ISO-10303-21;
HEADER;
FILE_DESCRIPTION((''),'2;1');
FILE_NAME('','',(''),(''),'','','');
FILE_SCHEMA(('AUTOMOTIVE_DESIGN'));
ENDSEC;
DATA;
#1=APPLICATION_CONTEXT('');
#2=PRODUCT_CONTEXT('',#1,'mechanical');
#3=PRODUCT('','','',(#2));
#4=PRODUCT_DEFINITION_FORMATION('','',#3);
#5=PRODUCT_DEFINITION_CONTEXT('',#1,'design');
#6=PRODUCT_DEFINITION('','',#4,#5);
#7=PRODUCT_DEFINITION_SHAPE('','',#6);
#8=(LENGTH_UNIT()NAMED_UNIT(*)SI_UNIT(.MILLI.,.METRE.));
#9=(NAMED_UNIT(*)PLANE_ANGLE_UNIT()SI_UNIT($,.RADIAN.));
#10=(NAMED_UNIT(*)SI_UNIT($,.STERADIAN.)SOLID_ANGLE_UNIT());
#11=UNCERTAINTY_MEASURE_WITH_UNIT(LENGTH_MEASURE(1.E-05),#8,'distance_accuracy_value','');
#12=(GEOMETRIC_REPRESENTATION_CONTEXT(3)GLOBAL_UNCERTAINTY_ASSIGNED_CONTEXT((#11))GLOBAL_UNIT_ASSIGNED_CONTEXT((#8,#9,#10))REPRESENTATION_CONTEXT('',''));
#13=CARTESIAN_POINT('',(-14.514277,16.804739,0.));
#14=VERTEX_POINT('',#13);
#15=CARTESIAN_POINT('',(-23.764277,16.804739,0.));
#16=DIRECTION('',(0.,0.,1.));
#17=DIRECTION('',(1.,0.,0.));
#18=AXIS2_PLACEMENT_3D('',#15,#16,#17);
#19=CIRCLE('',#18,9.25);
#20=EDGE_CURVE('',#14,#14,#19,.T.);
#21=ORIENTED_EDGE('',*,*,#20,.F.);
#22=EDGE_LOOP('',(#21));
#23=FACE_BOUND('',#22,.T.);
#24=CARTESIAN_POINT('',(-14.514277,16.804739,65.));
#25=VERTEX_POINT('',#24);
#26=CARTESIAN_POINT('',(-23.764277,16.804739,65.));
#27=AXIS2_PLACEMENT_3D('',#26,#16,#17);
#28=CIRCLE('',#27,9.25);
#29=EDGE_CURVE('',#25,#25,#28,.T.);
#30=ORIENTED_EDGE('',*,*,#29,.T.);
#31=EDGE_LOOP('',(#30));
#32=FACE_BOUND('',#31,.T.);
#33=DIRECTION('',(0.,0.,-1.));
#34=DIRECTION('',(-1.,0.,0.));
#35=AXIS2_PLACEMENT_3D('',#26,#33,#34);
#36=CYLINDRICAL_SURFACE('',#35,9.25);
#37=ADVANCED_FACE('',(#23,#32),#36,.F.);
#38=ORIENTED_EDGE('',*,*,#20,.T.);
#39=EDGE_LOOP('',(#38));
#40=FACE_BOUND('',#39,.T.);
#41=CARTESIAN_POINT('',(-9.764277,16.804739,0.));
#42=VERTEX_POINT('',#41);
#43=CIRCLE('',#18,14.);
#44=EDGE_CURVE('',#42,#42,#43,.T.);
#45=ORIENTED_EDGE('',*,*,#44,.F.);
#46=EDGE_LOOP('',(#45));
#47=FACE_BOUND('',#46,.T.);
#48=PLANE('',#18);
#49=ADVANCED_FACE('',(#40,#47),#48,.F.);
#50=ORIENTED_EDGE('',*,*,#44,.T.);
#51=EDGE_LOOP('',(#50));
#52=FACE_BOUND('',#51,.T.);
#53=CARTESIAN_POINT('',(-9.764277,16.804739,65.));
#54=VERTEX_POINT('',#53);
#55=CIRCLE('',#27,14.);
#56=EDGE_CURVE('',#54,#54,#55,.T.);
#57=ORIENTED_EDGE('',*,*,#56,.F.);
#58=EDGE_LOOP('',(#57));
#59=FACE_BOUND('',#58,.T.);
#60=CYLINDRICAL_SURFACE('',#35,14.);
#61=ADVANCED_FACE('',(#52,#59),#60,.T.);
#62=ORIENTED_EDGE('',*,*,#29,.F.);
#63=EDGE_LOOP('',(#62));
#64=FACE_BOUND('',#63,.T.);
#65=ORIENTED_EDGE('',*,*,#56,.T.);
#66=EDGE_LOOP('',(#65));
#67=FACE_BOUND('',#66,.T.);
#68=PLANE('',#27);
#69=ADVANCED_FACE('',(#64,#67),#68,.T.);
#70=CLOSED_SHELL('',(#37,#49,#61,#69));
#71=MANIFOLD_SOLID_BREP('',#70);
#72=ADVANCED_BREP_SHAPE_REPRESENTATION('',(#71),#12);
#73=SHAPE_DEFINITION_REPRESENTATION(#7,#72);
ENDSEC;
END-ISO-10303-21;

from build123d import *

# Parameters (mm, degrees)
SKETCH1_R           = 14
BOSS_EXTRUDE3_DEPTH = 65
SKETCH2_R           = 9.25
CUT_EXTRUDE1_DEPTH  = 65


with BuildPart() as part:
    # Sketch1 → Boss-Extrude3 (new body)
    with BuildSketch(Plane.XY):
        with Locations((-23.764277035, 16.804738761)):
            Circle(SKETCH1_R)
    extrude(amount=BOSS_EXTRUDE3_DEPTH)

    # Sketch2 → Cut-Extrude1 (cut)
    with BuildSketch(Plane.XY):
        with Locations((-23.764277035, 16.804738761)):
            Circle(SKETCH2_R)
    extrude(amount=CUT_EXTRUDE1_DEPTH, mode=Mode.SUBTRACT)


solid = part.part
